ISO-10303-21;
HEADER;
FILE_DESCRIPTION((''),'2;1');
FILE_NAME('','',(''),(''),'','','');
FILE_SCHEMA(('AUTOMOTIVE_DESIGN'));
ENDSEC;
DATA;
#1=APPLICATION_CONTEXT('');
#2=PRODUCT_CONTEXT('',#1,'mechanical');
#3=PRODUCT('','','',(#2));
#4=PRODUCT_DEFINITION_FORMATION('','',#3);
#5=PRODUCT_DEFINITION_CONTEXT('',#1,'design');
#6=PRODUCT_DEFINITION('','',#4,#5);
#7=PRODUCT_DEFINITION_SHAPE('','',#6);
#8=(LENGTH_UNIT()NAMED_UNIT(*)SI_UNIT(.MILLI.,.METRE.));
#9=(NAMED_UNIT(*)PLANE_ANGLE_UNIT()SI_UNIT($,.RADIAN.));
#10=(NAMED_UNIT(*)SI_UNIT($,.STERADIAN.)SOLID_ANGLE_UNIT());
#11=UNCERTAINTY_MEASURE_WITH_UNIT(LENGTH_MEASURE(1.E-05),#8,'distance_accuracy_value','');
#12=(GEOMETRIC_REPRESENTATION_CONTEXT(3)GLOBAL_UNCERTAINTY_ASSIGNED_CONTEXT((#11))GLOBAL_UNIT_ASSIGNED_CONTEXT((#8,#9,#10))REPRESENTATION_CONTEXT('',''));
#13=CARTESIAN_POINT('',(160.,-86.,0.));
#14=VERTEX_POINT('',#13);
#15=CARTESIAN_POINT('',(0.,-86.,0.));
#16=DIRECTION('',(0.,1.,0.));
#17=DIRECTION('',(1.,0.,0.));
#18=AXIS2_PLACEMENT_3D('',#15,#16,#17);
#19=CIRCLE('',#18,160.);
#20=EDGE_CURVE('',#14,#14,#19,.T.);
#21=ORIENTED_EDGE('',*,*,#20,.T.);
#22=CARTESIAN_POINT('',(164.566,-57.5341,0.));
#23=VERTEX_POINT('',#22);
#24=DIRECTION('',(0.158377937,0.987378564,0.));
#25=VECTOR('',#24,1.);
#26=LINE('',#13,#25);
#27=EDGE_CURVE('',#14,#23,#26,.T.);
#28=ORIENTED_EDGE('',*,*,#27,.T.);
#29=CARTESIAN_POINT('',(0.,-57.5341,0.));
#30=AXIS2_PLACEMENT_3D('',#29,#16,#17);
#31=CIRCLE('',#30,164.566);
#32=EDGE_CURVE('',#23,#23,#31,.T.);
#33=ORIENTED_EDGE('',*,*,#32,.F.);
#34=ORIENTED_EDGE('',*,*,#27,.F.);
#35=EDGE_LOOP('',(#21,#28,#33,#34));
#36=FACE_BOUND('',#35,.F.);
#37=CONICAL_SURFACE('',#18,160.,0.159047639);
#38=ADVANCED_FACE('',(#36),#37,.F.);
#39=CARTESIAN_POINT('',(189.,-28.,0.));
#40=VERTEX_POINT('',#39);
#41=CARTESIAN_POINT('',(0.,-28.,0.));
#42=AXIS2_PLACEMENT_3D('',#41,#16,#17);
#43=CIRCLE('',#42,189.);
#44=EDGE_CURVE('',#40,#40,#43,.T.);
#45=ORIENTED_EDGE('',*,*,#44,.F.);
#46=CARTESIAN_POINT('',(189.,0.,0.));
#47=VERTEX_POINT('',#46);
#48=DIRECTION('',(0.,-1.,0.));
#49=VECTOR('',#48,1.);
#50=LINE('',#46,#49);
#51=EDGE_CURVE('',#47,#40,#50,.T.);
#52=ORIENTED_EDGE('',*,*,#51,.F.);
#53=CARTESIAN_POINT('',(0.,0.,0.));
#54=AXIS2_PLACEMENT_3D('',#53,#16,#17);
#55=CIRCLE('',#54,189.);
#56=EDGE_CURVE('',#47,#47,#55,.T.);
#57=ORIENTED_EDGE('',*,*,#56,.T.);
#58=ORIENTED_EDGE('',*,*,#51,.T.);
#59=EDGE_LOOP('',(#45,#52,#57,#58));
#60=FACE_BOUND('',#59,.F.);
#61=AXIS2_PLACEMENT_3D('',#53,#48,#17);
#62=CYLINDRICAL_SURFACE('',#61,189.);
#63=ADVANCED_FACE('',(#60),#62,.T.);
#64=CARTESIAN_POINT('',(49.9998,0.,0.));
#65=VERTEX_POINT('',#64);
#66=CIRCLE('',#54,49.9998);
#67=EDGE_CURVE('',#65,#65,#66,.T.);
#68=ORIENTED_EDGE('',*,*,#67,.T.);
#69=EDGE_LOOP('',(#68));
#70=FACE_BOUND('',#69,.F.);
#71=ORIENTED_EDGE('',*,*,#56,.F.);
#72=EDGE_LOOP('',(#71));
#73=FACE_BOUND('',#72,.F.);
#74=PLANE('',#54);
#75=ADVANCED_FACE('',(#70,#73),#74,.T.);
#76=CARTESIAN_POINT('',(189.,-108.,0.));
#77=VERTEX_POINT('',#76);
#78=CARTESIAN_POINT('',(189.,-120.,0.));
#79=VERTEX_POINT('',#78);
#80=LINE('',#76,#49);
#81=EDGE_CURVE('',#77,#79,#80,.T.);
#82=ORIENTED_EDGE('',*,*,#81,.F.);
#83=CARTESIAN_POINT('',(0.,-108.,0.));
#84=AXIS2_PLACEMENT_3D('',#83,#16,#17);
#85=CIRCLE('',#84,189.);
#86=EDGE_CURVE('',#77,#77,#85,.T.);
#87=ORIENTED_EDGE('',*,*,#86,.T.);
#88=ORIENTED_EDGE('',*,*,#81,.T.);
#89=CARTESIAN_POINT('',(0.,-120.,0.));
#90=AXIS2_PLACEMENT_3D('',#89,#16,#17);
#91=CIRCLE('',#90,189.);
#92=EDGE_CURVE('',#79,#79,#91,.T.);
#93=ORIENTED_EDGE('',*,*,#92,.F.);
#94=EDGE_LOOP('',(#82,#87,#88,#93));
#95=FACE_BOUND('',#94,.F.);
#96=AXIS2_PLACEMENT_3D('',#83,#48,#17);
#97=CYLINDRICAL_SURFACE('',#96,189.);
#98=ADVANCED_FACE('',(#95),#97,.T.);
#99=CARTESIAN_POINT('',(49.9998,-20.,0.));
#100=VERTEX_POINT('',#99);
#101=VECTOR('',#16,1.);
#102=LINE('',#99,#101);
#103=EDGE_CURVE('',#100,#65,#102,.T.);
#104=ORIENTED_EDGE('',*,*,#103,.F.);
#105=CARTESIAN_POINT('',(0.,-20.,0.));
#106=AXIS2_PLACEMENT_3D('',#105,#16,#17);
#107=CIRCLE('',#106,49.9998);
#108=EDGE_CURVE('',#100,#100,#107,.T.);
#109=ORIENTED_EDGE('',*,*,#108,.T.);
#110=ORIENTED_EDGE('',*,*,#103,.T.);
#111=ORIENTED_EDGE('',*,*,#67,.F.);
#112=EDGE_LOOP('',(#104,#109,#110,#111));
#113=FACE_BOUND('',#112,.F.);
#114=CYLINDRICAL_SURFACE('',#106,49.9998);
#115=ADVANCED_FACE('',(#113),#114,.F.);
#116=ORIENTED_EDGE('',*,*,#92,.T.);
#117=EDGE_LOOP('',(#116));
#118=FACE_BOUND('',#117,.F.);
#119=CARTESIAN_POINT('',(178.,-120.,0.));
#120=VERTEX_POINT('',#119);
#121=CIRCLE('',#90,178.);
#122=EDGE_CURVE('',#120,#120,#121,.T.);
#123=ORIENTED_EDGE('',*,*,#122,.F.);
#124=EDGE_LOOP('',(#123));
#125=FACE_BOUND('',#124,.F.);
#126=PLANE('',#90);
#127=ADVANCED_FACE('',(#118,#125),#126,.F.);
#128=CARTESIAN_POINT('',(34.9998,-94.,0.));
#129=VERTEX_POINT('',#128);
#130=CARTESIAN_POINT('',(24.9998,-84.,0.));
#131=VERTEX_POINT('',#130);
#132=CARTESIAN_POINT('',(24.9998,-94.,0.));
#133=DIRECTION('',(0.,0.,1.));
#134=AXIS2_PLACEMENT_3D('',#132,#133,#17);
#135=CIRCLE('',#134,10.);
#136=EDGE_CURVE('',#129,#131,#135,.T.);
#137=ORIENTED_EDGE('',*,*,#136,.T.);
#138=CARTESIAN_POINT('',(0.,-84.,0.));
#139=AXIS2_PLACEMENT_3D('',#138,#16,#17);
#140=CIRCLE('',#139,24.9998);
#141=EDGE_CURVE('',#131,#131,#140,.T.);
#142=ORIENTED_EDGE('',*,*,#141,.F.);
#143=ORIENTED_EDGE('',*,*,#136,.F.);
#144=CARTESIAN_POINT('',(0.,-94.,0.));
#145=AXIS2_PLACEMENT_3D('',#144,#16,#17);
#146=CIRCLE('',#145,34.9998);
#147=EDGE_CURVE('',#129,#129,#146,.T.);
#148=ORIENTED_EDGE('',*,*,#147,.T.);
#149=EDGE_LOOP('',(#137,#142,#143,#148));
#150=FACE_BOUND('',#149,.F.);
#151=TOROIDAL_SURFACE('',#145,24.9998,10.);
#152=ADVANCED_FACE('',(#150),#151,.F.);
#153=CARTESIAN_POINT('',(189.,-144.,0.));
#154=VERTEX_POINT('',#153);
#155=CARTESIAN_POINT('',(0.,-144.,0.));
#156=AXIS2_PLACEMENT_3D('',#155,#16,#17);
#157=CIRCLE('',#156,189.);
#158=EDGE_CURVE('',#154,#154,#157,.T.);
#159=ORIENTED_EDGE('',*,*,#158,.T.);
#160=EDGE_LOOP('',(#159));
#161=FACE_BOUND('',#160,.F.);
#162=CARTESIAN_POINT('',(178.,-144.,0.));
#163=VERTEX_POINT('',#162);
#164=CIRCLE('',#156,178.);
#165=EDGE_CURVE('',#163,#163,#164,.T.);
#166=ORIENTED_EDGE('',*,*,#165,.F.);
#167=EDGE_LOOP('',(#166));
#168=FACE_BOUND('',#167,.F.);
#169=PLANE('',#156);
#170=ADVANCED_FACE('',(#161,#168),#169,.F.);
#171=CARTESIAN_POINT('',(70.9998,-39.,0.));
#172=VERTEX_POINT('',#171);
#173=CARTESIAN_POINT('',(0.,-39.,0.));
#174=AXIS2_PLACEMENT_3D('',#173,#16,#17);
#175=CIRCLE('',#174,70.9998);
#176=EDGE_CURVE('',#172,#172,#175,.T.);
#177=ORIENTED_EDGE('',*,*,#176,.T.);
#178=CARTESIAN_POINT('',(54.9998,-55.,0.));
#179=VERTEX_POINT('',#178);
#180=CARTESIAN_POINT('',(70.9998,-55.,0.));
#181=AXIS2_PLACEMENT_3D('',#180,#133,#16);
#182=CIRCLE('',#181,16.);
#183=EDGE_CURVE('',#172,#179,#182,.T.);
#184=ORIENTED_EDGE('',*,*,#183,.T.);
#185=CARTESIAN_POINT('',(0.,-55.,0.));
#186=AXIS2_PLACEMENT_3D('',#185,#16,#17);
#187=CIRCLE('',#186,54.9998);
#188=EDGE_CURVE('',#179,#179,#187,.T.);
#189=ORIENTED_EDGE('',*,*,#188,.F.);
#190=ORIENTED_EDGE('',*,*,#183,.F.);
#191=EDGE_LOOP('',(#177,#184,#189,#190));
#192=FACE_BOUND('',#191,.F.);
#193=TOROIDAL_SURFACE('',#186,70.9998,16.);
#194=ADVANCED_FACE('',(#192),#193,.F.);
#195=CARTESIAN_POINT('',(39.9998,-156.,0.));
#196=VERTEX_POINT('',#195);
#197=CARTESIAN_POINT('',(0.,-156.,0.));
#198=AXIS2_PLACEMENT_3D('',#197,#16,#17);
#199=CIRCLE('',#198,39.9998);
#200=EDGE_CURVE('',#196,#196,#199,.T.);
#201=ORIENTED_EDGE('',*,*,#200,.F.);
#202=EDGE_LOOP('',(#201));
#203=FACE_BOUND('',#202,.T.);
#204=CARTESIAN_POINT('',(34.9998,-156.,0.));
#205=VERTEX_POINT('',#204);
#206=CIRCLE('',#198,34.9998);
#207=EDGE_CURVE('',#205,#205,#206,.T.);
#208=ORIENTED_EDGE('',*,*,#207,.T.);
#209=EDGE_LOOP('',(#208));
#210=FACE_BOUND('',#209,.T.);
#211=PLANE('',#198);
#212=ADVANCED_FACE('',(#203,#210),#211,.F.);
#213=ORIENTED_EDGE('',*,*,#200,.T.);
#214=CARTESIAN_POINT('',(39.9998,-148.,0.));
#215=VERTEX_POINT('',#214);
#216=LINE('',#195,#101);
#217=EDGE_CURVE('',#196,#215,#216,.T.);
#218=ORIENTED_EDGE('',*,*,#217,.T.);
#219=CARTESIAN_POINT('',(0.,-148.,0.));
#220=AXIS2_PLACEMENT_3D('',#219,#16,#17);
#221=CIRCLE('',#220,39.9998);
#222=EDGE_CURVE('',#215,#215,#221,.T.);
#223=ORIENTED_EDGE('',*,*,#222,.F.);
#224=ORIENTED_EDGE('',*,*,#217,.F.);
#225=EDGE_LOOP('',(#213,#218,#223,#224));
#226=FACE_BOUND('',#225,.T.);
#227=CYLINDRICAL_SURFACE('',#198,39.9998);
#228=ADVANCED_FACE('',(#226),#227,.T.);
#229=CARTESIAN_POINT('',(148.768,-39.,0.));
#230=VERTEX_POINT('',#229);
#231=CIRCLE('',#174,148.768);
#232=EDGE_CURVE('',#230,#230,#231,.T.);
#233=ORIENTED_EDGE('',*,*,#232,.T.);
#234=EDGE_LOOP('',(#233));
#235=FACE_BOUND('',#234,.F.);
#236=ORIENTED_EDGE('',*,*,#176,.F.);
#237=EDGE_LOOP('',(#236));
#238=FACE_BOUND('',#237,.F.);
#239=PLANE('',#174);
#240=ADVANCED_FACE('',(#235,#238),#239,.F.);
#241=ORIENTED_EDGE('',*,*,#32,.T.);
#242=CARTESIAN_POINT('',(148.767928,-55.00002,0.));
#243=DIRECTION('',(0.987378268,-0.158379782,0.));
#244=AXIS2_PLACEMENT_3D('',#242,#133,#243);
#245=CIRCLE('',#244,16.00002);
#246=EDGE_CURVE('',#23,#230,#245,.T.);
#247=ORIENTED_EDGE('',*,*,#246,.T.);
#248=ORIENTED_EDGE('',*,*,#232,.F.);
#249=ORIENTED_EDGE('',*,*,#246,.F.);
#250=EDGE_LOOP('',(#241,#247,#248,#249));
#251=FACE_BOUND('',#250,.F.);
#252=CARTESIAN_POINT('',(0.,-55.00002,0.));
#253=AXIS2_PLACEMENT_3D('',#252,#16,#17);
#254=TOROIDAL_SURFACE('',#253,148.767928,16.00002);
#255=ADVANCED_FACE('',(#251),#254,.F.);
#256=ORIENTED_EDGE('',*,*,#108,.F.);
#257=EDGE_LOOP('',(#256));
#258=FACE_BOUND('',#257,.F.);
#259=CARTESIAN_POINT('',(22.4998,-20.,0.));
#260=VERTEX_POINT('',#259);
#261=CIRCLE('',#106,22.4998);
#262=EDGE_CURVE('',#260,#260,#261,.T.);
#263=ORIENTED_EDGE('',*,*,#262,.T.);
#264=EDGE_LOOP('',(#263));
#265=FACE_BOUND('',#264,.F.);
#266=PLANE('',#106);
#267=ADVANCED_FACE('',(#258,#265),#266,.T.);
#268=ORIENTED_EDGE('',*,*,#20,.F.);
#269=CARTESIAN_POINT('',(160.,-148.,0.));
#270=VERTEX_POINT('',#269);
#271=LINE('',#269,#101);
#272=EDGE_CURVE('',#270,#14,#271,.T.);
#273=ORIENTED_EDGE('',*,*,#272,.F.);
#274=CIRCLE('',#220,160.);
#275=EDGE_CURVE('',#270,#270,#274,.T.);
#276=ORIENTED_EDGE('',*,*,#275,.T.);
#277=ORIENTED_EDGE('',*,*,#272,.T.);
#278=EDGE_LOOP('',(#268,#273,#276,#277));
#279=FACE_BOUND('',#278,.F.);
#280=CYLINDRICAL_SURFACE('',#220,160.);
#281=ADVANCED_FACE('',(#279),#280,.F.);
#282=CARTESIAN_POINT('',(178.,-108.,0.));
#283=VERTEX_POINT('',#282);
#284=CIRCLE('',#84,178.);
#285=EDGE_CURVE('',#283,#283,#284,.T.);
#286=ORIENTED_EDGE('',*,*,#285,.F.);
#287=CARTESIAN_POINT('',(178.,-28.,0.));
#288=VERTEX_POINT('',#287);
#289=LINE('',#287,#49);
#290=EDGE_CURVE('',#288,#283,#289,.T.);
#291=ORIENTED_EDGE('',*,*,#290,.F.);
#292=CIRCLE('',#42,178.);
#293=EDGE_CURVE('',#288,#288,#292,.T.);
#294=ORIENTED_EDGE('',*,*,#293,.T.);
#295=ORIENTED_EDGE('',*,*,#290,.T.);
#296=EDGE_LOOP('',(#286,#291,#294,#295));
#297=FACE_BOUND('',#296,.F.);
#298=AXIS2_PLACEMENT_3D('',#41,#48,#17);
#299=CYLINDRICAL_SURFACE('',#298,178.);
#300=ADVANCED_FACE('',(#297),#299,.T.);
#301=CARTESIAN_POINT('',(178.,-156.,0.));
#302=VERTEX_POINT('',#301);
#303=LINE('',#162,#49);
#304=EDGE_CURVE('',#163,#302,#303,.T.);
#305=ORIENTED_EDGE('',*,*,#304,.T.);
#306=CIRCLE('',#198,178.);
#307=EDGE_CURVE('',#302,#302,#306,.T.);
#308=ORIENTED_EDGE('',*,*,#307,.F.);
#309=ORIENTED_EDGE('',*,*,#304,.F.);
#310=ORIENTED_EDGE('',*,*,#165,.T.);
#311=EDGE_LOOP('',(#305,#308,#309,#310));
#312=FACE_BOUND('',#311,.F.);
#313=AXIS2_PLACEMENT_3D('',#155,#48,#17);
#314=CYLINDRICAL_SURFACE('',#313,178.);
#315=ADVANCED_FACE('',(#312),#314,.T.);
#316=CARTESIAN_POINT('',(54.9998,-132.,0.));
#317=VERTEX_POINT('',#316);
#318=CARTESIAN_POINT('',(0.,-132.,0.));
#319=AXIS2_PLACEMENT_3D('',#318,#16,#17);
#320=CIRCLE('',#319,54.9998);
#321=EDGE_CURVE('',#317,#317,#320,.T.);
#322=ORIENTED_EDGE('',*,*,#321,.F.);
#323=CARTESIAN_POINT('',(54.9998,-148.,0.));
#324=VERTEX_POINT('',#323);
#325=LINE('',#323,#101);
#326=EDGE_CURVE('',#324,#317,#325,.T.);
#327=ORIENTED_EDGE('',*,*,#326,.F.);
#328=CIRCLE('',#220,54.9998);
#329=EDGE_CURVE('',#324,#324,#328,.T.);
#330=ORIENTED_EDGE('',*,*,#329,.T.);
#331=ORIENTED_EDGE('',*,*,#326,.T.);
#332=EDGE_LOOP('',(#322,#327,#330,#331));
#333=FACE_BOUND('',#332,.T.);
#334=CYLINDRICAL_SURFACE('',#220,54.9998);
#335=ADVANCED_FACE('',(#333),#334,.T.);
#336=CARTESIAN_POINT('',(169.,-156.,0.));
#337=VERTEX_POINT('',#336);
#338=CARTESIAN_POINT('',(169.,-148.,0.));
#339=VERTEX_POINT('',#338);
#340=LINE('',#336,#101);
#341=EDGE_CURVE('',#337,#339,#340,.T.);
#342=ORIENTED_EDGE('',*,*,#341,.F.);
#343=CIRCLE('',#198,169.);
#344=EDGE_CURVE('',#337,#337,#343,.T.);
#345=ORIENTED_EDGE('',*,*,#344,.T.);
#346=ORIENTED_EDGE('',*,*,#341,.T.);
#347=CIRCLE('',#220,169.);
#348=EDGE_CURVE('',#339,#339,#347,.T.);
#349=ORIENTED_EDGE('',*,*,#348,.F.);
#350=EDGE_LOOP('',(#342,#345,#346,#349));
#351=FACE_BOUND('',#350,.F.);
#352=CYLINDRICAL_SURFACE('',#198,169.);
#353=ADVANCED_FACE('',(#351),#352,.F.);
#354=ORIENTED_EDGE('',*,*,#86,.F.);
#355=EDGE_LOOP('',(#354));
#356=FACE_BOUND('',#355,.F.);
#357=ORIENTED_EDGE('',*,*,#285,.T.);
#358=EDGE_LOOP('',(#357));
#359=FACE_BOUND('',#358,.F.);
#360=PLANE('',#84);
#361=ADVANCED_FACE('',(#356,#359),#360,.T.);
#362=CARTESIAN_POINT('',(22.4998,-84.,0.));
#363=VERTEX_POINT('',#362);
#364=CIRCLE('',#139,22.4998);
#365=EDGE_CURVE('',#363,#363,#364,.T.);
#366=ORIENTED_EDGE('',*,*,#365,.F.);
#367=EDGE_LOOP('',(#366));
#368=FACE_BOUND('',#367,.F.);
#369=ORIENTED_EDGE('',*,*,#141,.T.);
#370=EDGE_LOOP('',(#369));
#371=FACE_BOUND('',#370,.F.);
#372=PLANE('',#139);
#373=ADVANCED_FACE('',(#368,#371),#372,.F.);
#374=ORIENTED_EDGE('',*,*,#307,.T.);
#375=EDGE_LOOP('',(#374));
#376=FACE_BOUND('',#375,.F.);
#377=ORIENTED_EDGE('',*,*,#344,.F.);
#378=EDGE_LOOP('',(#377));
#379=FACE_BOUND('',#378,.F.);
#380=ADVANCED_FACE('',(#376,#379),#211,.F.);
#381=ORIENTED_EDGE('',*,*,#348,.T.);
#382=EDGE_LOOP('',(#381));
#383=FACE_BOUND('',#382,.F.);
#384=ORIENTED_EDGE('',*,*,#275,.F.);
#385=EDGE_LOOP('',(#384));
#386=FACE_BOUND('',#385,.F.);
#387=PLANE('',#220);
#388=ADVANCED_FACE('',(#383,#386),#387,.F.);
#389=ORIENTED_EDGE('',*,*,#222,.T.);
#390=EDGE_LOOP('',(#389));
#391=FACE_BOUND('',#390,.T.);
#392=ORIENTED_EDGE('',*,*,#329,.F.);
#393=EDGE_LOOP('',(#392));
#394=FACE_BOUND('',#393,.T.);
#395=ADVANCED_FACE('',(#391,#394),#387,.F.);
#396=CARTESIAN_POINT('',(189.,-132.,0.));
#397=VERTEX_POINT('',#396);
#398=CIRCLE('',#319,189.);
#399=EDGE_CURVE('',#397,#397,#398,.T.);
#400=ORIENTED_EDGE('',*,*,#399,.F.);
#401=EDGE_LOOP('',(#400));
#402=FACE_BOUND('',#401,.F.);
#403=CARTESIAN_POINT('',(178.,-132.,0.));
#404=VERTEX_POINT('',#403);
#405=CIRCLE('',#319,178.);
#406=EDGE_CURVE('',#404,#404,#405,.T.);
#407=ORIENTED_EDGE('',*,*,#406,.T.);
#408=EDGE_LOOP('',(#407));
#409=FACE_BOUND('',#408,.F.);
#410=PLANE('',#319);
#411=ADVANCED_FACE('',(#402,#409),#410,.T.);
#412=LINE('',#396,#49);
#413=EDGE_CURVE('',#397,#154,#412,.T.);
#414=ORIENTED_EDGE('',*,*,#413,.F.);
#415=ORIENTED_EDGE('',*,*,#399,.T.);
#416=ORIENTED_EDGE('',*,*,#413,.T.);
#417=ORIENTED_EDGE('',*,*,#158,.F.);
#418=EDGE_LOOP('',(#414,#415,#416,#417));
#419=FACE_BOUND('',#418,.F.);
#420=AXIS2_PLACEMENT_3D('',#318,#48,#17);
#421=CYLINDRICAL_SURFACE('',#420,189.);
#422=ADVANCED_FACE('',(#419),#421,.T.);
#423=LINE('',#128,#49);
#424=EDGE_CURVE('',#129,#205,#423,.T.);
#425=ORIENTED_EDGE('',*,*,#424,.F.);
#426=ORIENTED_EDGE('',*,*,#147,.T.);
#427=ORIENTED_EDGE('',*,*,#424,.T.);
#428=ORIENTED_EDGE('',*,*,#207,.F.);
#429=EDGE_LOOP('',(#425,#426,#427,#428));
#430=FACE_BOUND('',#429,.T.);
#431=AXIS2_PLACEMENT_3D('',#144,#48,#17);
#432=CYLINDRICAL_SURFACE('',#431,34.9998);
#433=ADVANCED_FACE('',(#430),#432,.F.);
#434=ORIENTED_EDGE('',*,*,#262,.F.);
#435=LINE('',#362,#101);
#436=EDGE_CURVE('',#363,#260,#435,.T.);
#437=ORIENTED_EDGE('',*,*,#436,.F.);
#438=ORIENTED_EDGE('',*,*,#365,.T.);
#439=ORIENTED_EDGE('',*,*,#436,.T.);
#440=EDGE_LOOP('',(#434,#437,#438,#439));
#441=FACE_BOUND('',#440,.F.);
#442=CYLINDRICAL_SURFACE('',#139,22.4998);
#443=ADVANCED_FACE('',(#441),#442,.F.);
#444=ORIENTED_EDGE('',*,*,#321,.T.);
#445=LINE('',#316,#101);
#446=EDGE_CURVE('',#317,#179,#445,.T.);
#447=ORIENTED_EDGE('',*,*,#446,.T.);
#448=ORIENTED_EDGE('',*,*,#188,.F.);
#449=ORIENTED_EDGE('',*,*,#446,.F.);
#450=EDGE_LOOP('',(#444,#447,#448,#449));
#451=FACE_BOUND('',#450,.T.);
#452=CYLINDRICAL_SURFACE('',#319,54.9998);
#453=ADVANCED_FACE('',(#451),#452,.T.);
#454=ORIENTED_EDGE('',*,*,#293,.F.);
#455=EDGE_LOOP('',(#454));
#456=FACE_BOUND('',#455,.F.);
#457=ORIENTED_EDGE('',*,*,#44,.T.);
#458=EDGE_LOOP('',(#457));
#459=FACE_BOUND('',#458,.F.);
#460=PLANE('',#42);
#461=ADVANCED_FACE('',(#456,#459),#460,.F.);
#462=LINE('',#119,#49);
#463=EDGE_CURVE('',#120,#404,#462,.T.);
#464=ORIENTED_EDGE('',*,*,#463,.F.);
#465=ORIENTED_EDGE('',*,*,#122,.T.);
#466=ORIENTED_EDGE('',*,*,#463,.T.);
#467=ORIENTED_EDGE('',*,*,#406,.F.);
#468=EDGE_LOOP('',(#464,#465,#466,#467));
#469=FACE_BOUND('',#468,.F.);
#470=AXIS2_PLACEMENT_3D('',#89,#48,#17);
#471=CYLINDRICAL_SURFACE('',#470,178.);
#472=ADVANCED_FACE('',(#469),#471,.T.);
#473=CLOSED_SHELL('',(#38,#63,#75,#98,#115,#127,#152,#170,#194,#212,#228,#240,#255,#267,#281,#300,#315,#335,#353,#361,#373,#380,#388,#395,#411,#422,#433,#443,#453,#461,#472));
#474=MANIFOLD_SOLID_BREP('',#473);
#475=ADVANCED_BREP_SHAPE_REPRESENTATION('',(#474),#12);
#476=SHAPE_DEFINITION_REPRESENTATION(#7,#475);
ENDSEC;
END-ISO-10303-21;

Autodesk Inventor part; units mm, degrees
ref_plane "YZ Plane" through (0, 0, 0) normal (1, 0, 0) x (0, 1, 0)
ref_plane "XZ Plane" through (0, 0, 0) normal (0, 1, 0) x (-1, 0, 0)
ref_plane "XY Plane" through (0, 0, 0) normal (0, 0, 1) x (1, 0, 0)
sketch "Эскиз1" plane through (0, 0, 0) normal (0, 0, 1) x (1, 0, 0)
  line L0 (49.9998, 0) -> (189, 0)
  line L1 (148.768, -39) -> (70.9998, -39)
  line L2 (49.9998, -20) -> (49.9998, 0)
  arc A0 (70.9998, -39) -> (54.9998, -55) centre (70.9998, -55) ccw
  arc A1 (34.9998, -94) -> (24.9998, -84) centre (24.9998, -94) ccw
  line L3 (0, 0) -> (0, 25.6698)
  line L4 (54.9998, -132) -> (54.9998, -55)
  line L5 (189, 0) -> (189, -28)
  line L6 (189, -28) -> (178, -28)
  line L7 (178, -28) -> (178, -108)
  line L8 (178, -108) -> (189, -108)
  line L9 (189, -108) -> (189, -120)
  line L10 (189, -120) -> (178, -120)
  line L11 (178, -120) -> (178, -132)
  line L12 (178, -132) -> (189, -132)
  line L13 (189, -132) -> (189, -144)
  line L14 (189, -144) -> (178, -144)
  line L15 (178, -144) -> (178, -156)
  line L16 (24.9998, -84) -> (22.4998, -84)
  line L17 (22.4998, -84) -> (22.4998, -20)
  line L18 (22.4998, -20) -> (49.9998, -20)
  line L19 (34.9998, -94) -> (34.9998, -156)
  line L20 (34.9998, -156) -> (39.9998, -156)
  line L21 (39.9998, -156) -> (39.9998, -148)
  line L22 (39.9998, -148) -> (54.9998, -148)
  line L23 (54.9998, -148) -> (54.9998, -132)
  line L24 (178, -156) -> (169, -156)
  line L25 (169, -156) -> (169, -148)
  line L26 (169, -148) -> (160, -148)
  line L27 (160, -148) -> (160, -86)
  line L28 (160, -86) -> (164.566, -57.5341)
  arc A2 (164.566, -57.5341) -> (148.768, -39) centre (148.768, -55) ccw
  point P0 (154.5118, -39)
  point P1 (54.9998, -39)
  point P2 (34.9998, -84)
  point P3 (137.0508, -39)
  dimension "d0" = 189
  dimension "d5" = 99.512
  dimension "d9" = 16
  dimension "d11" = 10
  dimension "d29" = 20
  dimension "d30" = 28
  dimension "d31" = 11
  dimension "d32" = 80
  dimension "d34" = 12
  dimension "d35" = 11
  dimension "d36" = 12
  dimension "d37" = 11
  dimension "d38" = 12
  dimension "d39" = 11
  dimension "d40" = 12
  dimension "d43" = 2.5
  dimension "d44" = 64
  dimension "d45" = 15
  dimension "d46" = 8
  dimension "d47" = 5
  dimension "d50" = 9
  dimension "d51" = 9
  dimension "d52" = 16
revolve "Вращение1" add sketch "Эскиз1" angle 360 about axis through (0, 0, 0) along (0, 1, 0)
properties part number "Нижняя часть поршня" material "Чугун, серый"
